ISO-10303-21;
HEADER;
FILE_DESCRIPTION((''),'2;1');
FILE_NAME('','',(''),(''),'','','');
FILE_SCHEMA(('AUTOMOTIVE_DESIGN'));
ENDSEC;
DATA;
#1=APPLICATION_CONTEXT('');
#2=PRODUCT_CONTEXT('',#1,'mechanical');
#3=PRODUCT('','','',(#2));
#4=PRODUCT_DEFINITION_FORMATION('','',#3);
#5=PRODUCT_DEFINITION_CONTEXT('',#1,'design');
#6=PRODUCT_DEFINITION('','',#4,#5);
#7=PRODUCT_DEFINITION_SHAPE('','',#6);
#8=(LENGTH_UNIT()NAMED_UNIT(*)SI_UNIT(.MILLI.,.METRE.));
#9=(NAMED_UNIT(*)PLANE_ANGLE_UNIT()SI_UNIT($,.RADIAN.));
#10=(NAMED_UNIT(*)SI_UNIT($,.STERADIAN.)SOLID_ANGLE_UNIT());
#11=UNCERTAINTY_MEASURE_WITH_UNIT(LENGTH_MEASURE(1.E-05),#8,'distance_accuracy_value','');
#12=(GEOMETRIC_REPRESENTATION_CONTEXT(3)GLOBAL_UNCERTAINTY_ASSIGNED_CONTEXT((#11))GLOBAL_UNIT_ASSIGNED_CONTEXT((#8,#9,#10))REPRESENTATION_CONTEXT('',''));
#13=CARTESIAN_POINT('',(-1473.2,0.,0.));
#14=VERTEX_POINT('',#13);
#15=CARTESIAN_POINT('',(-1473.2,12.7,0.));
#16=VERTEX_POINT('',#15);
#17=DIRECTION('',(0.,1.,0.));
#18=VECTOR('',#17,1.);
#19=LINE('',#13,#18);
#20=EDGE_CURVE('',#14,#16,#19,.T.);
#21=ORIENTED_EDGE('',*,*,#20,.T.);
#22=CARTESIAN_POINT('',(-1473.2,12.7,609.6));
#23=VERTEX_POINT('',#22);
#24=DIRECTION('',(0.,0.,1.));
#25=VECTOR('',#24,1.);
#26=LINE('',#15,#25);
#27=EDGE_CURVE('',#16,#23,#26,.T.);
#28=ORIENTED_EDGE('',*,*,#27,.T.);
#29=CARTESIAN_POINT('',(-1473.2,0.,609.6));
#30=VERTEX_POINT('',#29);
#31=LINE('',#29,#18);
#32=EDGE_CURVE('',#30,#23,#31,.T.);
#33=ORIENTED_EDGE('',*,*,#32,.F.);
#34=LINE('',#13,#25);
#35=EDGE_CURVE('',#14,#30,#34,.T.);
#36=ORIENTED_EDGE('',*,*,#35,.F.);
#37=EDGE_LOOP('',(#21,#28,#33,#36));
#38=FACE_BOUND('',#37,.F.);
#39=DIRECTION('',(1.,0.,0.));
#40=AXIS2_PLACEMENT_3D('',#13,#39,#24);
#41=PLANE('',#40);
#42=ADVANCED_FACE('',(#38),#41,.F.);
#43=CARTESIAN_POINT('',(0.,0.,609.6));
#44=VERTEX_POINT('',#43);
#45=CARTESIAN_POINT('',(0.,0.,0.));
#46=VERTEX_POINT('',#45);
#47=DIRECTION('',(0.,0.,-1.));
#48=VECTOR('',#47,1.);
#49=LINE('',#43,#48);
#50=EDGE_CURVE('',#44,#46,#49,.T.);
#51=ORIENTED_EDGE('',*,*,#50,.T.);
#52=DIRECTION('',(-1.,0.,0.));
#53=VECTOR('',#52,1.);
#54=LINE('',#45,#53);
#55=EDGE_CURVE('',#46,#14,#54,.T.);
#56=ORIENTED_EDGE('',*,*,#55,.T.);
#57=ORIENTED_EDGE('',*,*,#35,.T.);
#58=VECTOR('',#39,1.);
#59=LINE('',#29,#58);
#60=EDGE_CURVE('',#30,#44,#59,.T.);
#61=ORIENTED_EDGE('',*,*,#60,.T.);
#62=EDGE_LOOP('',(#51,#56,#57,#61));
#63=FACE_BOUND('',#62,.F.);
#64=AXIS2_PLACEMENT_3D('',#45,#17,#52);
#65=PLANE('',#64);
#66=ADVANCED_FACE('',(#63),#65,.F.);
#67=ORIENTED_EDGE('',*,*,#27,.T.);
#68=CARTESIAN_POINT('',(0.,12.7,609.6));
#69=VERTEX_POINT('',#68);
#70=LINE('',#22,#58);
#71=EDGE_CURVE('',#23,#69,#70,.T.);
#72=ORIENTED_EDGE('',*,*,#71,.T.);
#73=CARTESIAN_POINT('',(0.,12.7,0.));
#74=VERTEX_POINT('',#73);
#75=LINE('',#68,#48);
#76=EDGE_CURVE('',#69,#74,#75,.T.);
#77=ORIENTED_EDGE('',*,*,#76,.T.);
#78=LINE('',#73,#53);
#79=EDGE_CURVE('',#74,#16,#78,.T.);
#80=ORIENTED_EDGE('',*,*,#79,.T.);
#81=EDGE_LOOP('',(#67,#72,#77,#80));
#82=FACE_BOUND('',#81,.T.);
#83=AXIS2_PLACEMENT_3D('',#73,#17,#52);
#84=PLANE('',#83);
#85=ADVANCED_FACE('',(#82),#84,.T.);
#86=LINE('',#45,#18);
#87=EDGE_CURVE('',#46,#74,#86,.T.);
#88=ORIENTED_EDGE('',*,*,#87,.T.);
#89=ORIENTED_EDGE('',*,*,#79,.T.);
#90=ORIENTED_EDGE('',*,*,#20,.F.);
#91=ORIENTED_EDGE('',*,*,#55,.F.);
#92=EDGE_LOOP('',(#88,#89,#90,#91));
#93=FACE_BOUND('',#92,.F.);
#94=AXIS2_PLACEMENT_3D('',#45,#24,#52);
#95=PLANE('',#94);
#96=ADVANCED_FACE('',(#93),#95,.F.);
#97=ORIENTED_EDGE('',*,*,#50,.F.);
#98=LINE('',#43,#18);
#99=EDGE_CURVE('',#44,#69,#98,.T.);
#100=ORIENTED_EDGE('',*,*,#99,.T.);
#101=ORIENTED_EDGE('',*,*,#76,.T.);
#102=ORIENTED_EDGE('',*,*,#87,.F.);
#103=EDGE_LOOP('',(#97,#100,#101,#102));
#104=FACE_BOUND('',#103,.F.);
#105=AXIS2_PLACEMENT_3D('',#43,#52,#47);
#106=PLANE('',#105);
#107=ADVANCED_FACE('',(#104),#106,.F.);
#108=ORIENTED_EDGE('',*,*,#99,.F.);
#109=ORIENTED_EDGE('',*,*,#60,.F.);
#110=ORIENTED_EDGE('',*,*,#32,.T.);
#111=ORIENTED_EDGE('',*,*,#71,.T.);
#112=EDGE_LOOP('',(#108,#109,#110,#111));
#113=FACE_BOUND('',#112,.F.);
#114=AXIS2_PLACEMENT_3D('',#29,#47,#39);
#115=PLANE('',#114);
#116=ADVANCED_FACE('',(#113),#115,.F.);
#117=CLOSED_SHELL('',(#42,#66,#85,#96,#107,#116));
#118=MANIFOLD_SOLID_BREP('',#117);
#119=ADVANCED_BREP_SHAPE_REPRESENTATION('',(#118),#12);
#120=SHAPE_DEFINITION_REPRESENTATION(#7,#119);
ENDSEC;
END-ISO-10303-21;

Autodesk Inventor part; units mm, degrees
ref_plane "YZ Plane" through (0, 0, 0) normal (1, 0, 0) x (0, 1, 0)
ref_plane "XZ Plane" through (0, 0, 0) normal (0, 1, 0) x (-1, 0, 0)
ref_plane "XY Plane" through (0, 0, 0) normal (0, 0, 1) x (1, 0, 0)
sketch "Sketch1" plane through (0, 0, 0) normal (0, 1, 0) x (-1, 0, 0)
  line L0 (0, 0) -> (1473.2, 0)
  line L1 (1473.2, 0) -> (1473.2, 609.6)
  line L2 (1473.2, 609.6) -> (0, 609.6)
  line L3 (0, 609.6) -> (0, 0)
  dimension "d0" = 1473.2
  dimension "d1" = 609.6
extrude "Extrusion1" add sketch "Sketch1" along normal blind 12.7
properties part number "bottom-plate" material "Wood (Cherry)"
